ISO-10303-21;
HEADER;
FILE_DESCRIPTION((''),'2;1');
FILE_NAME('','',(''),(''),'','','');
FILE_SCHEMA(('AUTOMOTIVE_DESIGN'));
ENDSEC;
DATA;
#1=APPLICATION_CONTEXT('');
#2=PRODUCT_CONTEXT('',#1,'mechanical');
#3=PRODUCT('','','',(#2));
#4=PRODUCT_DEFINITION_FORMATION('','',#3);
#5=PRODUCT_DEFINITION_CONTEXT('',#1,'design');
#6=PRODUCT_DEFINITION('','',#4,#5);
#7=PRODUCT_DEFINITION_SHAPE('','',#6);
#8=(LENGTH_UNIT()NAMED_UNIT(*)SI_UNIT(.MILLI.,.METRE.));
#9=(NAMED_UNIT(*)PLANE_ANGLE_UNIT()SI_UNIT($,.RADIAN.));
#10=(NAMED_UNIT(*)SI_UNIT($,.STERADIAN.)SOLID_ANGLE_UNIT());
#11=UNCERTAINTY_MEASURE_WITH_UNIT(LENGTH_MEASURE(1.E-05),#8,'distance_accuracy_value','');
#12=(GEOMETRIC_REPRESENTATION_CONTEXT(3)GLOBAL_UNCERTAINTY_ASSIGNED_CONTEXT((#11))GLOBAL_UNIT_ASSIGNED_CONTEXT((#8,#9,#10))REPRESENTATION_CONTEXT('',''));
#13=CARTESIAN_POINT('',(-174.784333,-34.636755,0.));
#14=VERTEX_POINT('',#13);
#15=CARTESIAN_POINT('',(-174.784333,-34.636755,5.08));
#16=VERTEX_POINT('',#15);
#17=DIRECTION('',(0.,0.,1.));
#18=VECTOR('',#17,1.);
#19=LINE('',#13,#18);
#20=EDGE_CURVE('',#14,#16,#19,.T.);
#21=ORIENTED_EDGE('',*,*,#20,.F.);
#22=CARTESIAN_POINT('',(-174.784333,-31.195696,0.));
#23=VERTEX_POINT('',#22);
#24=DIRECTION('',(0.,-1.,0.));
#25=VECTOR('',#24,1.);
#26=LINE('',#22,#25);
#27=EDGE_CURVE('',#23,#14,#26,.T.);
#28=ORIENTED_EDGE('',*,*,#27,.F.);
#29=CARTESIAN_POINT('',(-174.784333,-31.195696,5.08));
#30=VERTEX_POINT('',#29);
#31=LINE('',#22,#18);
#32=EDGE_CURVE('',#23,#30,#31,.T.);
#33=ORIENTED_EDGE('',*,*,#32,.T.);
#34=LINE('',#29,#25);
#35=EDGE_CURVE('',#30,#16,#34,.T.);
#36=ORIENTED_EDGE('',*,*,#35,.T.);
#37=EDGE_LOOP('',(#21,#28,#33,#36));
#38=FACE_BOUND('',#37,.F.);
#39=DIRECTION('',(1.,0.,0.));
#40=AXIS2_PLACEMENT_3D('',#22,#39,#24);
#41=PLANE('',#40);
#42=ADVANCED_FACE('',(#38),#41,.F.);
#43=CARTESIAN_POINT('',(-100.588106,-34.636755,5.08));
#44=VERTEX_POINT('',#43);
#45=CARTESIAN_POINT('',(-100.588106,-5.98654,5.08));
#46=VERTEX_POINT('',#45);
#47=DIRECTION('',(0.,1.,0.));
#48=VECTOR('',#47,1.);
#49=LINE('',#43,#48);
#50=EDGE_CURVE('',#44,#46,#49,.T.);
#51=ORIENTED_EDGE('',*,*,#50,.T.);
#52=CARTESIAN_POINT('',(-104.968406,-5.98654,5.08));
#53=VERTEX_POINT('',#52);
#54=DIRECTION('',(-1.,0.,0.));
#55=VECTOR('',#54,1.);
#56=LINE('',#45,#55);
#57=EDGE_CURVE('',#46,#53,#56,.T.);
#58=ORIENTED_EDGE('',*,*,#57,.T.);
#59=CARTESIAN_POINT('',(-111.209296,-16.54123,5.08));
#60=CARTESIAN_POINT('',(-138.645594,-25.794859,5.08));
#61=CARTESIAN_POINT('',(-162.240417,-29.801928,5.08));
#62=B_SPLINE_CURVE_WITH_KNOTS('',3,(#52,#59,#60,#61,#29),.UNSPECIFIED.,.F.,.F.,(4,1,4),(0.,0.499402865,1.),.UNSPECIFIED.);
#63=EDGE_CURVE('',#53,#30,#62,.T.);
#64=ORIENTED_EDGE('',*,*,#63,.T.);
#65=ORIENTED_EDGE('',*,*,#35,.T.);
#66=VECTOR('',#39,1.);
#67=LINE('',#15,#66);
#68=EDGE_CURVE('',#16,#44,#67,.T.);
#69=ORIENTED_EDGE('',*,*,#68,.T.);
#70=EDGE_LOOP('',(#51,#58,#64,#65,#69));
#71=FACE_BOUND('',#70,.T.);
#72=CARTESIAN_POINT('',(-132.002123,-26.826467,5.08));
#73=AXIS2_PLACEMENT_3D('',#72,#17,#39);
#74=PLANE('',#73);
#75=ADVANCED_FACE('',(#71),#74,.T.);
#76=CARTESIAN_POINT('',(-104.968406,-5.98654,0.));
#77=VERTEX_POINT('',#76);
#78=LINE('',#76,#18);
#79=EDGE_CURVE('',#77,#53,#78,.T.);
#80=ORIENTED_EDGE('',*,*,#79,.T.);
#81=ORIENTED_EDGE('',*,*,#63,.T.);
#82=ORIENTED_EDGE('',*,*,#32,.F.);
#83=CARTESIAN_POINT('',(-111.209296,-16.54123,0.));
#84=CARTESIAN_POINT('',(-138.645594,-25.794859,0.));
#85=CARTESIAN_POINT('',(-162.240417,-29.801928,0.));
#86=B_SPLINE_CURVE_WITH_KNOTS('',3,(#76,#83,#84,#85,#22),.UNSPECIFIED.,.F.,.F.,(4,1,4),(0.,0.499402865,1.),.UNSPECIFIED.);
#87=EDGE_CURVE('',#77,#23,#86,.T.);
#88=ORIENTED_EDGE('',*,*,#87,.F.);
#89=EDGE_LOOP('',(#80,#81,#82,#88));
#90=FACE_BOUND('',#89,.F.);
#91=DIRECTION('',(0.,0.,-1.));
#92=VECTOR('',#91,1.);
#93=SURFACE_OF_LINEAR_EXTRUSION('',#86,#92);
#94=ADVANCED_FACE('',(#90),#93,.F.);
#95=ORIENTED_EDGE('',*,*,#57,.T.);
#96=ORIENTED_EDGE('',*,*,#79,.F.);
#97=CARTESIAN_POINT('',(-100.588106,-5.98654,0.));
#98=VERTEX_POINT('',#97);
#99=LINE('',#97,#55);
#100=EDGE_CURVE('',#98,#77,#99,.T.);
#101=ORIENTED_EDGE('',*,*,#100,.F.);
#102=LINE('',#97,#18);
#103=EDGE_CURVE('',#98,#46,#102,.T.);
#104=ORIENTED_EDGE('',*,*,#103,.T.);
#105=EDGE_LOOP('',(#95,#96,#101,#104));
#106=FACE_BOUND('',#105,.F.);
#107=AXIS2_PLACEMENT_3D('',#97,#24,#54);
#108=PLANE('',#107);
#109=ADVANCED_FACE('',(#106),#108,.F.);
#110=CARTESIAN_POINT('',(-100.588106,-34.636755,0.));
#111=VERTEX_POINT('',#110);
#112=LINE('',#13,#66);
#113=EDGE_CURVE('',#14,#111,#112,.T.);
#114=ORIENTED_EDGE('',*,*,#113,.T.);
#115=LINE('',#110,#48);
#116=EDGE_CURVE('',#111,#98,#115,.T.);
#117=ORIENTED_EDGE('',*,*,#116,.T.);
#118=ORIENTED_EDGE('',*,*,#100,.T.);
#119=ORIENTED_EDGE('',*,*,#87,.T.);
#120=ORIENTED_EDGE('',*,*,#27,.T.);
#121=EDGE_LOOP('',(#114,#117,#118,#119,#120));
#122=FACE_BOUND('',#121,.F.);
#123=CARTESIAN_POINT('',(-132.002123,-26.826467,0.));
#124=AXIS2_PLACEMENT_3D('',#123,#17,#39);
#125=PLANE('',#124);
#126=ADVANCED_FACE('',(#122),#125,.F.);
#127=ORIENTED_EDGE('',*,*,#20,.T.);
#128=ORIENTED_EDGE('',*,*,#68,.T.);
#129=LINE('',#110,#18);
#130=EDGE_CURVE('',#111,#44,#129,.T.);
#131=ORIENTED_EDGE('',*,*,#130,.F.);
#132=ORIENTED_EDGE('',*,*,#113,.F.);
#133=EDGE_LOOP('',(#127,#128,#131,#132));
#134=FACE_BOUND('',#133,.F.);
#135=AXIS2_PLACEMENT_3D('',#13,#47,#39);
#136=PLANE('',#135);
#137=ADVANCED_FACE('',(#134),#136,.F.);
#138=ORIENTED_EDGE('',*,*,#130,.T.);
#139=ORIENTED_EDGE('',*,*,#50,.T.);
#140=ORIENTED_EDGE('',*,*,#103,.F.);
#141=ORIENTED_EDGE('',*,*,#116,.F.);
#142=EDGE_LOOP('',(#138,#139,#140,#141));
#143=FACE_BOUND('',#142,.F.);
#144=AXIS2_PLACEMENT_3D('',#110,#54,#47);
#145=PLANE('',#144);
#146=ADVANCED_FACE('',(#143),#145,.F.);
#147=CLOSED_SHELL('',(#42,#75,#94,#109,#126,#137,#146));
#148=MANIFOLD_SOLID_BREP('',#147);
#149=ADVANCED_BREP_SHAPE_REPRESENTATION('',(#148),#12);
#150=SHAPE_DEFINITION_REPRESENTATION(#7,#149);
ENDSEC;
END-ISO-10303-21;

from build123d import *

# Parameters (mm, degrees)
F1_DEPTH = 5.08


with BuildPart() as f1:
    # F0 (on Top) → F1 (new body)
    with BuildSketch(Plane.XY):
        with BuildLine():
            Line((-174.7843325138, -31.1956964433), (-174.7843325138, -34.6367545426))
            Line((-174.7843325138, -34.6367545426), (-101.7393320799, -34.6367545426))
            Line((-101.7393320799, -34.6367545426), (-100.588105619, -34.6367545426))
            Line((-100.588105619, -34.6367545426), (-100.588105619, -5.986539647))
            Line((-100.588105619, -5.986539647), (-104.96840626, -5.986539647))
            add(Edge.make_bspline(
                [(-104.96840626, -5.986539647), (-111.2092956901, -16.541229561), (-138.6455943739, -25.7948594231), (-162.2404169958, -29.8019280524), (-174.7843325138, -31.1956964433)],
                knots=[0, 0, 0, 0, 0.4994028654, 1, 1, 1, 1], degree=3))
        make_face()
    extrude(amount=F1_DEPTH)


solid = f1.part
